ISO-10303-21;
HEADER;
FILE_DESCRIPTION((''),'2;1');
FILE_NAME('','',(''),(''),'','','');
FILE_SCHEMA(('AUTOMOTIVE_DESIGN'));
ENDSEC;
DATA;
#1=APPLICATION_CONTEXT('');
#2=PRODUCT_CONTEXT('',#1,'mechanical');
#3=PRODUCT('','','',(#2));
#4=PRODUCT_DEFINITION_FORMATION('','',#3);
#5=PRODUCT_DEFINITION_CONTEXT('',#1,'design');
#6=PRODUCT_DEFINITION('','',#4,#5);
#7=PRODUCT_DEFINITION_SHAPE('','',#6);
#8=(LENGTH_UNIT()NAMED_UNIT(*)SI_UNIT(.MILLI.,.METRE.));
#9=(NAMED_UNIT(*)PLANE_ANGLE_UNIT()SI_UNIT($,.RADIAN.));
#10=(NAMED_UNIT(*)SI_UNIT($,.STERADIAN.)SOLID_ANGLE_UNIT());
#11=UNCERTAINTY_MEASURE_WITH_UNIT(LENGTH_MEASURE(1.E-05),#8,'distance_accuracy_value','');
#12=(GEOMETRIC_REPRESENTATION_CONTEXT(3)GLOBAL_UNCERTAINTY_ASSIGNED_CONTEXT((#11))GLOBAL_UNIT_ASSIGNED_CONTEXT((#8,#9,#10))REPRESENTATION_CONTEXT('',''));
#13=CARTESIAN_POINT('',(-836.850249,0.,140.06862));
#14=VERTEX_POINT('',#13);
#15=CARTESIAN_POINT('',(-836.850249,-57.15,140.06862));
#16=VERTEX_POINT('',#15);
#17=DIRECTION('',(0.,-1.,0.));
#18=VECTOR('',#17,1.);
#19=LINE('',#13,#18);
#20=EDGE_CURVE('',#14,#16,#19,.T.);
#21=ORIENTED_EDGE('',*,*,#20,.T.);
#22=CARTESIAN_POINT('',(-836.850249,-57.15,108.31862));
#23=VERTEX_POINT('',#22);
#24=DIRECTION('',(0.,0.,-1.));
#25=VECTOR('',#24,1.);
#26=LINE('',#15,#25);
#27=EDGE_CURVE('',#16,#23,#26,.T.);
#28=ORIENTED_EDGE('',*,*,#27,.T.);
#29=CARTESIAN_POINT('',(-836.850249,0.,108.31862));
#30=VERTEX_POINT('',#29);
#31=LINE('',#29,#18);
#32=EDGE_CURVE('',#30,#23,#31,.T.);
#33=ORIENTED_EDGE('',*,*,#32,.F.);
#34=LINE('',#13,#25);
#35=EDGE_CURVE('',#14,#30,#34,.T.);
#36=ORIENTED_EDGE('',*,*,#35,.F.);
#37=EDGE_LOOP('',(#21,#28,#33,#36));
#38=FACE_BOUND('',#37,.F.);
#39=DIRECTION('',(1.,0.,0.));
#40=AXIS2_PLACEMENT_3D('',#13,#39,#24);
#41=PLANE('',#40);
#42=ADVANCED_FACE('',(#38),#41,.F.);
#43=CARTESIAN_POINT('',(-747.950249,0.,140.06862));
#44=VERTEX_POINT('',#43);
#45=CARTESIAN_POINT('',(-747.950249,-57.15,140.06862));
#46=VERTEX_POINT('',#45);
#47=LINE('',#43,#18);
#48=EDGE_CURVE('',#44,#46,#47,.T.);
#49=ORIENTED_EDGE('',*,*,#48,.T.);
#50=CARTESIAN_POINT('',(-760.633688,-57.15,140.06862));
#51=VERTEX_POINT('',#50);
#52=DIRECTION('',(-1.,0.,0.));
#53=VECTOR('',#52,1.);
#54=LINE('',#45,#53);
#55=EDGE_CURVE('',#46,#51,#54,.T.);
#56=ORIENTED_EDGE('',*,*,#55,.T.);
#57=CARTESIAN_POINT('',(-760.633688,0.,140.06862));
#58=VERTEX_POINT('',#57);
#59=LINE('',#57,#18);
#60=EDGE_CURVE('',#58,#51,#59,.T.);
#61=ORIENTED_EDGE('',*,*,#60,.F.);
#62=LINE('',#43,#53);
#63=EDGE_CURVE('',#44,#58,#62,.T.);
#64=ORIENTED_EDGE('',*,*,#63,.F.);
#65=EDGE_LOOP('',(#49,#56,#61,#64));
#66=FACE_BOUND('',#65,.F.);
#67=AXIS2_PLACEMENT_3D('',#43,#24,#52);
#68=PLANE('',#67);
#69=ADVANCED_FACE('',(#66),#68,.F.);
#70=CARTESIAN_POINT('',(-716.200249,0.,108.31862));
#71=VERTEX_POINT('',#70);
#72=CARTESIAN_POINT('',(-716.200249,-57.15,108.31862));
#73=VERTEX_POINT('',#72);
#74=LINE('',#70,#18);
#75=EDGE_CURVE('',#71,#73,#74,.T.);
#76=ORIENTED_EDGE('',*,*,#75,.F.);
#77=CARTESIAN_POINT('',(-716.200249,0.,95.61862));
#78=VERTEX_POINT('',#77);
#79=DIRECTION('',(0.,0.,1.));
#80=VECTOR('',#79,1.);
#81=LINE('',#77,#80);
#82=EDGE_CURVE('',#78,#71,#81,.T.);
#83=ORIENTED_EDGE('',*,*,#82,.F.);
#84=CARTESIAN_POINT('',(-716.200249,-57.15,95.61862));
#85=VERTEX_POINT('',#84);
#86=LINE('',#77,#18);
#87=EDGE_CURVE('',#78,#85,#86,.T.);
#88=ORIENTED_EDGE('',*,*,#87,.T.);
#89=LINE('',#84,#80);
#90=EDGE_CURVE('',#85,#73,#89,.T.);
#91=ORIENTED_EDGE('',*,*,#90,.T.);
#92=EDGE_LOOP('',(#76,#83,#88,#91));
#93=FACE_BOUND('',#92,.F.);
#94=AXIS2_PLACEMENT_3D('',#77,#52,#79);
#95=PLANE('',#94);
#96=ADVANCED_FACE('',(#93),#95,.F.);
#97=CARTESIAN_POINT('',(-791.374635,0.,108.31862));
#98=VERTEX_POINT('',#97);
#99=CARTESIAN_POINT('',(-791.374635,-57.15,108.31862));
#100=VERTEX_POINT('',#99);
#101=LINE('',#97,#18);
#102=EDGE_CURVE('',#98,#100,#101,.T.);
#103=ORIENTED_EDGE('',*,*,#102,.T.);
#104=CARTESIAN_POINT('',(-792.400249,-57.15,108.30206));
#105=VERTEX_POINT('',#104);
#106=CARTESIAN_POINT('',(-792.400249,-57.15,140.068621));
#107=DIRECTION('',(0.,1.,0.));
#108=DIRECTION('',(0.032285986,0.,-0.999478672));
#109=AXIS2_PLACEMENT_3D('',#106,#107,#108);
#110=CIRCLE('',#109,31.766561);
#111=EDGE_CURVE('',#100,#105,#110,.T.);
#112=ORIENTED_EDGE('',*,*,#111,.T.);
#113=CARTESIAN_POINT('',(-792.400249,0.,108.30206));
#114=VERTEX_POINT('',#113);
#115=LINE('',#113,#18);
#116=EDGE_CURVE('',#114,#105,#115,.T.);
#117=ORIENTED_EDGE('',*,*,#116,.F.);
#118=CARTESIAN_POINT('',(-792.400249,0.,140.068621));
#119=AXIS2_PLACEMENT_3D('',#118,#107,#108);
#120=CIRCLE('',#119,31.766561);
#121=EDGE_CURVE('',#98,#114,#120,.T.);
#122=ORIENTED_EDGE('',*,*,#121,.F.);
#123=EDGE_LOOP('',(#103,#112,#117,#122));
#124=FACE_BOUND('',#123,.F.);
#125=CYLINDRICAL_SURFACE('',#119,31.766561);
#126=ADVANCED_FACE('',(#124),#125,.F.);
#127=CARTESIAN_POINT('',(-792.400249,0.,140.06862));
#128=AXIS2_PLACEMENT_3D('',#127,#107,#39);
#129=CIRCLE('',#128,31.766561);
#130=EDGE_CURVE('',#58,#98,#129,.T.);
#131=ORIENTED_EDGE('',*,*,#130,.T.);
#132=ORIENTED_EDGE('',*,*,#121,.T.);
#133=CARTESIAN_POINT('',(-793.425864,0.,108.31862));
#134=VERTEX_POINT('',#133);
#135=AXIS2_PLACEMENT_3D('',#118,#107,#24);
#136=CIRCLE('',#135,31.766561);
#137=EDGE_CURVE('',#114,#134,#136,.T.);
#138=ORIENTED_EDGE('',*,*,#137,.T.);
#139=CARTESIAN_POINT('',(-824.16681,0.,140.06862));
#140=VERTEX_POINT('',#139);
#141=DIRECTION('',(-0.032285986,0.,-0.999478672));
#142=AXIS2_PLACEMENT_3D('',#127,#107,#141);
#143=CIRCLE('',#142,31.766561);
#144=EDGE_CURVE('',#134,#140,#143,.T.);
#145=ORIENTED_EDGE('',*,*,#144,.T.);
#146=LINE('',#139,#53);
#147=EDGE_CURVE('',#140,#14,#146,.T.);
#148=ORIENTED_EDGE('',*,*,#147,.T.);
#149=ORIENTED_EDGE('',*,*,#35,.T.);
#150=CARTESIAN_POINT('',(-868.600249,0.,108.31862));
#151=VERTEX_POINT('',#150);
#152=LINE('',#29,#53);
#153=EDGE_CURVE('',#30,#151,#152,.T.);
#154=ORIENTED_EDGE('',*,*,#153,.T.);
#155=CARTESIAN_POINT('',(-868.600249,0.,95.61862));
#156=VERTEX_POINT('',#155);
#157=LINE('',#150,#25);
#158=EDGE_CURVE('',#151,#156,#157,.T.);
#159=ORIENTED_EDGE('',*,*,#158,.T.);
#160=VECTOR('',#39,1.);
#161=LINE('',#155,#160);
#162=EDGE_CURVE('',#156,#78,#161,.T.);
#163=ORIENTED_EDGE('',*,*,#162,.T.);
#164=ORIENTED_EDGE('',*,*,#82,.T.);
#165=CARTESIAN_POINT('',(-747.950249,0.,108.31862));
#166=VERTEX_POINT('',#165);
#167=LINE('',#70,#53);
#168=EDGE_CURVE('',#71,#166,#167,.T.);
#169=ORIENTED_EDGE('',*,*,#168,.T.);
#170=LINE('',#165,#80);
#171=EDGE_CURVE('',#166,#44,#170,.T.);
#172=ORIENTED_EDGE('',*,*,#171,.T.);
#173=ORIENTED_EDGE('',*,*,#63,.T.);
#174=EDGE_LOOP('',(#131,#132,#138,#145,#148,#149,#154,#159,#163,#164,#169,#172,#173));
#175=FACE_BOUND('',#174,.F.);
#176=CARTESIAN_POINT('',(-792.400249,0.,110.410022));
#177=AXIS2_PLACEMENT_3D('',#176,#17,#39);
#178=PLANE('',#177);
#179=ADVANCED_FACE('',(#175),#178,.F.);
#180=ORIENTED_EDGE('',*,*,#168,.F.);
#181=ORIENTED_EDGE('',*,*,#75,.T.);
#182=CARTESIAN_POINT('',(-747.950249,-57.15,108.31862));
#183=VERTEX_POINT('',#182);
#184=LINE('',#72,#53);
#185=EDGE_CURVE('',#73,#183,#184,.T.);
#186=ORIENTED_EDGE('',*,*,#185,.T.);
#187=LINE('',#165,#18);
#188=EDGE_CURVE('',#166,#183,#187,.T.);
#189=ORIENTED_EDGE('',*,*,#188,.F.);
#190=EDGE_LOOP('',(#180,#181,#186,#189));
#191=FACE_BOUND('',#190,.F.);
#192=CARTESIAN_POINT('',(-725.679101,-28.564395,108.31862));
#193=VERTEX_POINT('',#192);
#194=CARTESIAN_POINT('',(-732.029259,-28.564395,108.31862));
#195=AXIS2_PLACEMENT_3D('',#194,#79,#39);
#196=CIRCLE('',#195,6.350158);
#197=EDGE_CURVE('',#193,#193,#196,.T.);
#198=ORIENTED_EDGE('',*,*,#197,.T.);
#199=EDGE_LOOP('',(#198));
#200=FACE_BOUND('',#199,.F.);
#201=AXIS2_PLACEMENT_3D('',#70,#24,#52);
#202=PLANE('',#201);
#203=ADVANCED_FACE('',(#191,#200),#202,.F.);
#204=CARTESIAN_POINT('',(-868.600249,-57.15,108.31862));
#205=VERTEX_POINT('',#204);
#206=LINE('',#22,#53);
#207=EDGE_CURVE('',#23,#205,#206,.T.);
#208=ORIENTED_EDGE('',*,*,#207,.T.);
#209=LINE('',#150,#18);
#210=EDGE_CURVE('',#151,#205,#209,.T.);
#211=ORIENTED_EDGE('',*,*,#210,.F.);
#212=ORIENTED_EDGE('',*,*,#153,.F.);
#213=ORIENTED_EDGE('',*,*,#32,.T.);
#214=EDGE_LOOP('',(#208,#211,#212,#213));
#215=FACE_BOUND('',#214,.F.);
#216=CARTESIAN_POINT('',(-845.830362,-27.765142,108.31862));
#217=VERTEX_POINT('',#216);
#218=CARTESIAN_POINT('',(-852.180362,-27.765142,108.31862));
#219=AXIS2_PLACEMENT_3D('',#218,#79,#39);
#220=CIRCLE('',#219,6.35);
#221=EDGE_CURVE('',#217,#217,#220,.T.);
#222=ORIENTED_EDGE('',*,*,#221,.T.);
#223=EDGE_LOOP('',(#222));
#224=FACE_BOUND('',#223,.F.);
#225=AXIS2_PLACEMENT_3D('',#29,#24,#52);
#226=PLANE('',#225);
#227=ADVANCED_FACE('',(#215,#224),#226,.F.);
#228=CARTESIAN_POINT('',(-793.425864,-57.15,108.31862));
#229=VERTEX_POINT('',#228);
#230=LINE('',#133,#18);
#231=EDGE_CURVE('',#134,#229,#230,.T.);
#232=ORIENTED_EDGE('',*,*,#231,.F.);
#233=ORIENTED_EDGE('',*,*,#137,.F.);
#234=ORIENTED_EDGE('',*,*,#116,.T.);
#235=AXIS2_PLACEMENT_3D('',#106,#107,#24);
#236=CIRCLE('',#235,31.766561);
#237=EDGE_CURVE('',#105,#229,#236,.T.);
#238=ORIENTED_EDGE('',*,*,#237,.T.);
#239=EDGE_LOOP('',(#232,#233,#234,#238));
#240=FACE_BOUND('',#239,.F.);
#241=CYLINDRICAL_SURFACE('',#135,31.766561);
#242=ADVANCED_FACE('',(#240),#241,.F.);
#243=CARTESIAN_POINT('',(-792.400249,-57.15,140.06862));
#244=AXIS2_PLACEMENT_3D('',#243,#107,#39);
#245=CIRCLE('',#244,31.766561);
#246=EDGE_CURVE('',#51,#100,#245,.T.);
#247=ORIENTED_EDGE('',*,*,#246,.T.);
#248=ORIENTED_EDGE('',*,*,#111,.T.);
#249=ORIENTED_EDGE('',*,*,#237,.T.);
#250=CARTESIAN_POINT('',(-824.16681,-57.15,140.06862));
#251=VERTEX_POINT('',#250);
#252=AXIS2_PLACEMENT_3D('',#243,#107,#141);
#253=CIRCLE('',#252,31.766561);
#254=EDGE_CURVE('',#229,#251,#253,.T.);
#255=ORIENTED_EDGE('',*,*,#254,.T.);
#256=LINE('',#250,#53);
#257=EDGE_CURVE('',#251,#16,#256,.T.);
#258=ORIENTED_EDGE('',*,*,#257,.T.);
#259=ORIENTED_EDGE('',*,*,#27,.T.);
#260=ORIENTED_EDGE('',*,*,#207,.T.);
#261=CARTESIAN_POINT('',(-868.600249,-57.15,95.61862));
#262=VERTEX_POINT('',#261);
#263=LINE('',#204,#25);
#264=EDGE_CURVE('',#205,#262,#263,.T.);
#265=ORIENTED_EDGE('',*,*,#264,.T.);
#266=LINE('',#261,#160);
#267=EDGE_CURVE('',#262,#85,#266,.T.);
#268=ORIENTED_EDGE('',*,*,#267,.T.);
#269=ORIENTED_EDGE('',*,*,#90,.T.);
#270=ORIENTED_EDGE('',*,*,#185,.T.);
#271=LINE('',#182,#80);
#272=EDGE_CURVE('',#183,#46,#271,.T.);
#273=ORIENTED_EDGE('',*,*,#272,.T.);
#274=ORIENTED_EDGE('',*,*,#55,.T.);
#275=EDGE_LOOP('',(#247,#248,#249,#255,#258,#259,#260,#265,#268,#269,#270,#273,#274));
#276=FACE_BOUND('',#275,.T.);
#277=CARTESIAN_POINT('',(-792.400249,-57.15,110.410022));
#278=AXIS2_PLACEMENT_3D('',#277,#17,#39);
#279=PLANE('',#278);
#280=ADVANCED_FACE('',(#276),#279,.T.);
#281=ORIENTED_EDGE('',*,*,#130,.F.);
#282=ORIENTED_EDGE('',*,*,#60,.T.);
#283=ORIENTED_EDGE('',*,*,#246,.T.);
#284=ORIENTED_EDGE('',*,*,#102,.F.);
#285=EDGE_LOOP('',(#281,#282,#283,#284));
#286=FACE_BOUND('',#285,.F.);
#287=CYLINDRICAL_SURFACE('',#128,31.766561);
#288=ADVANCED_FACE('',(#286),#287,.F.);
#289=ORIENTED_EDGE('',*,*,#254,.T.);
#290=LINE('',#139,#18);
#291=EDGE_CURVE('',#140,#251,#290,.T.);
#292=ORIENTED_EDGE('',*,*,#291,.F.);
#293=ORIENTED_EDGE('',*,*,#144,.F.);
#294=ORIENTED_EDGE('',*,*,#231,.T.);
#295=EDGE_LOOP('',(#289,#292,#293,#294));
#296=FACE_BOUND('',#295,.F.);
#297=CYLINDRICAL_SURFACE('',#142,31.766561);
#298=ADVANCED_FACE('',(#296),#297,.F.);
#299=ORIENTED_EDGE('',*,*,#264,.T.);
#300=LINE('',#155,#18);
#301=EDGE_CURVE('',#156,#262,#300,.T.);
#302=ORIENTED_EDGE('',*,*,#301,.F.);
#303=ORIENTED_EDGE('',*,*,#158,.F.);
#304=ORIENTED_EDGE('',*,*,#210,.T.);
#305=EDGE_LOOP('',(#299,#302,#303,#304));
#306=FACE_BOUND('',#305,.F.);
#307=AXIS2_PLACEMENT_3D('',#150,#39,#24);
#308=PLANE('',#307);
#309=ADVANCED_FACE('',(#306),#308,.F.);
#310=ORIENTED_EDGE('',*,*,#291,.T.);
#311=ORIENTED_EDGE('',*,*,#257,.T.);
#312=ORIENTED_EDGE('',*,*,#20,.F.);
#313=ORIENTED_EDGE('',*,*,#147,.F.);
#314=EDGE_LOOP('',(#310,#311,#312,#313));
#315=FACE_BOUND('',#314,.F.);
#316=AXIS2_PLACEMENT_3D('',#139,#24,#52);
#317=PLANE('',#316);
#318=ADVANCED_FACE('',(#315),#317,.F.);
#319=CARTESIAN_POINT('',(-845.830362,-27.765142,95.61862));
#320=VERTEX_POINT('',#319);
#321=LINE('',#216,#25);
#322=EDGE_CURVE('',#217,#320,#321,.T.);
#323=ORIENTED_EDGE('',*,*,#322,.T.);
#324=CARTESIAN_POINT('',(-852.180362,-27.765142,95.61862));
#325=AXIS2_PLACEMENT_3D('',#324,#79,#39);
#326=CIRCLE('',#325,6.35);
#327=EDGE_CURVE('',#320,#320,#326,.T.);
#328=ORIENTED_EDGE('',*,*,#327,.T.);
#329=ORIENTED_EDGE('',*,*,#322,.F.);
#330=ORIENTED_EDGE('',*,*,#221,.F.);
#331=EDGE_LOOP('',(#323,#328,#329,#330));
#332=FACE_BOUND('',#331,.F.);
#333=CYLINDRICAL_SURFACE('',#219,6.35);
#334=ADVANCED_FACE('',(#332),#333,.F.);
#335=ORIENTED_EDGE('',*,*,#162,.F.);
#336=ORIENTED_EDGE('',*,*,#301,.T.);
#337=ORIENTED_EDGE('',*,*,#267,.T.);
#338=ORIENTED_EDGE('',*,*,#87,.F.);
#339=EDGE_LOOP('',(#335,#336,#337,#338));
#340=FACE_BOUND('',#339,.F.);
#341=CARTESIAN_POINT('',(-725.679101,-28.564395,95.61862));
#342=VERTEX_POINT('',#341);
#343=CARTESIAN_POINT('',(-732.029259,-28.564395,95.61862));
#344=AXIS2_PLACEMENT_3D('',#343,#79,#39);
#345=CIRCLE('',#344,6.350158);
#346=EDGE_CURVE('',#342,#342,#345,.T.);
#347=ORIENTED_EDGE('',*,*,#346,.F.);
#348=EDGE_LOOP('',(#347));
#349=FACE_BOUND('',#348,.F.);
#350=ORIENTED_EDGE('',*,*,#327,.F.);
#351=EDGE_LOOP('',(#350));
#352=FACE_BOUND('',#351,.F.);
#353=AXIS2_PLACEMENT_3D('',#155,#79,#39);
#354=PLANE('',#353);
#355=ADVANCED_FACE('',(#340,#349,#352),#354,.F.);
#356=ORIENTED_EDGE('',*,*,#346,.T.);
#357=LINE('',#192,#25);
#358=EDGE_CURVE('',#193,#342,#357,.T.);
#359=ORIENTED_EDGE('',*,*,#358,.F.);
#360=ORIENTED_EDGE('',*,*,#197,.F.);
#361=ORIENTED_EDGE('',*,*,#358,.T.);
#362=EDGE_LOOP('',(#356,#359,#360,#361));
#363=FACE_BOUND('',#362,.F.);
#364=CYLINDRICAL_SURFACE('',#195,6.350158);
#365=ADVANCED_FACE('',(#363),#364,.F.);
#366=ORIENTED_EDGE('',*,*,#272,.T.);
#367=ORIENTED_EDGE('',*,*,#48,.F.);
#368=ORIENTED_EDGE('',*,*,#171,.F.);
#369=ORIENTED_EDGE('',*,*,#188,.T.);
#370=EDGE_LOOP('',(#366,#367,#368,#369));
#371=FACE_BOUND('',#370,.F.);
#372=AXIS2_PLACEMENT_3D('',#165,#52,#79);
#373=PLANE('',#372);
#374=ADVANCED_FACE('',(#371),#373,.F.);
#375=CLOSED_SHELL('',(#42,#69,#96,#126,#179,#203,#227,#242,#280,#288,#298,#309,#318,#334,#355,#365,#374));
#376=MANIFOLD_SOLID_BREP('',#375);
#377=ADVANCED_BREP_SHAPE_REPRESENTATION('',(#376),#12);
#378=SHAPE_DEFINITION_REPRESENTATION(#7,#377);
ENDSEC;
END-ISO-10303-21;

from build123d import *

# Parameters (mm, degrees)
F1_DEPTH = 57.15
F3_R     = 6.35
F4_DEPTH = 12.7
F6_R     = 6.3501577228
F7_DEPTH = 12.7


with BuildPart() as f1:
    # F0 (on Front) → F1 (new body)
    with BuildSketch(Plane.XZ):
        with BuildLine():
            Line((-836.8502492905, 108.3186204791), (-868.6002492905, 108.3186204791))
            Line((-868.6002492905, 108.3186204791), (-868.6002492905, 95.6186204791))
            Line((-868.6002492905, 95.6186204791), (-792.4002492905, 95.6186204791))
            Line((-792.4002492905, 95.6186204791), (-716.2002492905, 95.6186204791))
            Line((-716.2002492905, 95.6186204791), (-716.2002492905, 108.3186204791))
            Line((-716.2002492905, 108.3186204791), (-747.9502492905, 108.3186204791))
            Line((-747.9502492905, 108.3186204791), (-747.9502492905, 140.0686204791))
            Line((-747.9502492905, 140.0686204791), (-760.6336884818, 140.0686204791))
            ThreePointArc((-760.6336884818, 140.0686204791), (-769.5781696434, 117.9718545123), (-791.3746345435, 108.3186204791))
            ThreePointArc((-791.3746345435, 108.3186204791), (-791.8873750687, 108.3062001425), (-792.4002492905, 108.3020596705))
            ThreePointArc((-792.4002492905, 108.3020596705), (-792.9131235123, 108.3062001425), (-793.4258640374, 108.3186204791))
            ThreePointArc((-793.4258640374, 108.3186204791), (-815.2223289375, 117.9718545123), (-824.1668100991, 140.0686204791))
            Line((-824.1668100991, 140.0686204791), (-836.8502492905, 140.0686204791))
            Line((-836.8502492905, 140.0686204791), (-836.8502492905, 108.3186204791))
        make_face()
    extrude(amount=F1_DEPTH)

    # F3 (on offset) → F4 (cut)
    with BuildSketch(Plane.XY.offset(108.3186204791)):
        with Locations((-852.1803617477, -27.7651418)):
            Circle(F3_R)
    extrude(amount=-F4_DEPTH, mode=Mode.SUBTRACT)

    # F6 (on offset) → F7 (cut)
    with BuildSketch(Plane.XY.offset(108.3186204791)):
        with Locations((-732.0292592049, -28.564395383)):
            Circle(F6_R)
    extrude(amount=-F7_DEPTH, mode=Mode.SUBTRACT)


solid = f1.part
